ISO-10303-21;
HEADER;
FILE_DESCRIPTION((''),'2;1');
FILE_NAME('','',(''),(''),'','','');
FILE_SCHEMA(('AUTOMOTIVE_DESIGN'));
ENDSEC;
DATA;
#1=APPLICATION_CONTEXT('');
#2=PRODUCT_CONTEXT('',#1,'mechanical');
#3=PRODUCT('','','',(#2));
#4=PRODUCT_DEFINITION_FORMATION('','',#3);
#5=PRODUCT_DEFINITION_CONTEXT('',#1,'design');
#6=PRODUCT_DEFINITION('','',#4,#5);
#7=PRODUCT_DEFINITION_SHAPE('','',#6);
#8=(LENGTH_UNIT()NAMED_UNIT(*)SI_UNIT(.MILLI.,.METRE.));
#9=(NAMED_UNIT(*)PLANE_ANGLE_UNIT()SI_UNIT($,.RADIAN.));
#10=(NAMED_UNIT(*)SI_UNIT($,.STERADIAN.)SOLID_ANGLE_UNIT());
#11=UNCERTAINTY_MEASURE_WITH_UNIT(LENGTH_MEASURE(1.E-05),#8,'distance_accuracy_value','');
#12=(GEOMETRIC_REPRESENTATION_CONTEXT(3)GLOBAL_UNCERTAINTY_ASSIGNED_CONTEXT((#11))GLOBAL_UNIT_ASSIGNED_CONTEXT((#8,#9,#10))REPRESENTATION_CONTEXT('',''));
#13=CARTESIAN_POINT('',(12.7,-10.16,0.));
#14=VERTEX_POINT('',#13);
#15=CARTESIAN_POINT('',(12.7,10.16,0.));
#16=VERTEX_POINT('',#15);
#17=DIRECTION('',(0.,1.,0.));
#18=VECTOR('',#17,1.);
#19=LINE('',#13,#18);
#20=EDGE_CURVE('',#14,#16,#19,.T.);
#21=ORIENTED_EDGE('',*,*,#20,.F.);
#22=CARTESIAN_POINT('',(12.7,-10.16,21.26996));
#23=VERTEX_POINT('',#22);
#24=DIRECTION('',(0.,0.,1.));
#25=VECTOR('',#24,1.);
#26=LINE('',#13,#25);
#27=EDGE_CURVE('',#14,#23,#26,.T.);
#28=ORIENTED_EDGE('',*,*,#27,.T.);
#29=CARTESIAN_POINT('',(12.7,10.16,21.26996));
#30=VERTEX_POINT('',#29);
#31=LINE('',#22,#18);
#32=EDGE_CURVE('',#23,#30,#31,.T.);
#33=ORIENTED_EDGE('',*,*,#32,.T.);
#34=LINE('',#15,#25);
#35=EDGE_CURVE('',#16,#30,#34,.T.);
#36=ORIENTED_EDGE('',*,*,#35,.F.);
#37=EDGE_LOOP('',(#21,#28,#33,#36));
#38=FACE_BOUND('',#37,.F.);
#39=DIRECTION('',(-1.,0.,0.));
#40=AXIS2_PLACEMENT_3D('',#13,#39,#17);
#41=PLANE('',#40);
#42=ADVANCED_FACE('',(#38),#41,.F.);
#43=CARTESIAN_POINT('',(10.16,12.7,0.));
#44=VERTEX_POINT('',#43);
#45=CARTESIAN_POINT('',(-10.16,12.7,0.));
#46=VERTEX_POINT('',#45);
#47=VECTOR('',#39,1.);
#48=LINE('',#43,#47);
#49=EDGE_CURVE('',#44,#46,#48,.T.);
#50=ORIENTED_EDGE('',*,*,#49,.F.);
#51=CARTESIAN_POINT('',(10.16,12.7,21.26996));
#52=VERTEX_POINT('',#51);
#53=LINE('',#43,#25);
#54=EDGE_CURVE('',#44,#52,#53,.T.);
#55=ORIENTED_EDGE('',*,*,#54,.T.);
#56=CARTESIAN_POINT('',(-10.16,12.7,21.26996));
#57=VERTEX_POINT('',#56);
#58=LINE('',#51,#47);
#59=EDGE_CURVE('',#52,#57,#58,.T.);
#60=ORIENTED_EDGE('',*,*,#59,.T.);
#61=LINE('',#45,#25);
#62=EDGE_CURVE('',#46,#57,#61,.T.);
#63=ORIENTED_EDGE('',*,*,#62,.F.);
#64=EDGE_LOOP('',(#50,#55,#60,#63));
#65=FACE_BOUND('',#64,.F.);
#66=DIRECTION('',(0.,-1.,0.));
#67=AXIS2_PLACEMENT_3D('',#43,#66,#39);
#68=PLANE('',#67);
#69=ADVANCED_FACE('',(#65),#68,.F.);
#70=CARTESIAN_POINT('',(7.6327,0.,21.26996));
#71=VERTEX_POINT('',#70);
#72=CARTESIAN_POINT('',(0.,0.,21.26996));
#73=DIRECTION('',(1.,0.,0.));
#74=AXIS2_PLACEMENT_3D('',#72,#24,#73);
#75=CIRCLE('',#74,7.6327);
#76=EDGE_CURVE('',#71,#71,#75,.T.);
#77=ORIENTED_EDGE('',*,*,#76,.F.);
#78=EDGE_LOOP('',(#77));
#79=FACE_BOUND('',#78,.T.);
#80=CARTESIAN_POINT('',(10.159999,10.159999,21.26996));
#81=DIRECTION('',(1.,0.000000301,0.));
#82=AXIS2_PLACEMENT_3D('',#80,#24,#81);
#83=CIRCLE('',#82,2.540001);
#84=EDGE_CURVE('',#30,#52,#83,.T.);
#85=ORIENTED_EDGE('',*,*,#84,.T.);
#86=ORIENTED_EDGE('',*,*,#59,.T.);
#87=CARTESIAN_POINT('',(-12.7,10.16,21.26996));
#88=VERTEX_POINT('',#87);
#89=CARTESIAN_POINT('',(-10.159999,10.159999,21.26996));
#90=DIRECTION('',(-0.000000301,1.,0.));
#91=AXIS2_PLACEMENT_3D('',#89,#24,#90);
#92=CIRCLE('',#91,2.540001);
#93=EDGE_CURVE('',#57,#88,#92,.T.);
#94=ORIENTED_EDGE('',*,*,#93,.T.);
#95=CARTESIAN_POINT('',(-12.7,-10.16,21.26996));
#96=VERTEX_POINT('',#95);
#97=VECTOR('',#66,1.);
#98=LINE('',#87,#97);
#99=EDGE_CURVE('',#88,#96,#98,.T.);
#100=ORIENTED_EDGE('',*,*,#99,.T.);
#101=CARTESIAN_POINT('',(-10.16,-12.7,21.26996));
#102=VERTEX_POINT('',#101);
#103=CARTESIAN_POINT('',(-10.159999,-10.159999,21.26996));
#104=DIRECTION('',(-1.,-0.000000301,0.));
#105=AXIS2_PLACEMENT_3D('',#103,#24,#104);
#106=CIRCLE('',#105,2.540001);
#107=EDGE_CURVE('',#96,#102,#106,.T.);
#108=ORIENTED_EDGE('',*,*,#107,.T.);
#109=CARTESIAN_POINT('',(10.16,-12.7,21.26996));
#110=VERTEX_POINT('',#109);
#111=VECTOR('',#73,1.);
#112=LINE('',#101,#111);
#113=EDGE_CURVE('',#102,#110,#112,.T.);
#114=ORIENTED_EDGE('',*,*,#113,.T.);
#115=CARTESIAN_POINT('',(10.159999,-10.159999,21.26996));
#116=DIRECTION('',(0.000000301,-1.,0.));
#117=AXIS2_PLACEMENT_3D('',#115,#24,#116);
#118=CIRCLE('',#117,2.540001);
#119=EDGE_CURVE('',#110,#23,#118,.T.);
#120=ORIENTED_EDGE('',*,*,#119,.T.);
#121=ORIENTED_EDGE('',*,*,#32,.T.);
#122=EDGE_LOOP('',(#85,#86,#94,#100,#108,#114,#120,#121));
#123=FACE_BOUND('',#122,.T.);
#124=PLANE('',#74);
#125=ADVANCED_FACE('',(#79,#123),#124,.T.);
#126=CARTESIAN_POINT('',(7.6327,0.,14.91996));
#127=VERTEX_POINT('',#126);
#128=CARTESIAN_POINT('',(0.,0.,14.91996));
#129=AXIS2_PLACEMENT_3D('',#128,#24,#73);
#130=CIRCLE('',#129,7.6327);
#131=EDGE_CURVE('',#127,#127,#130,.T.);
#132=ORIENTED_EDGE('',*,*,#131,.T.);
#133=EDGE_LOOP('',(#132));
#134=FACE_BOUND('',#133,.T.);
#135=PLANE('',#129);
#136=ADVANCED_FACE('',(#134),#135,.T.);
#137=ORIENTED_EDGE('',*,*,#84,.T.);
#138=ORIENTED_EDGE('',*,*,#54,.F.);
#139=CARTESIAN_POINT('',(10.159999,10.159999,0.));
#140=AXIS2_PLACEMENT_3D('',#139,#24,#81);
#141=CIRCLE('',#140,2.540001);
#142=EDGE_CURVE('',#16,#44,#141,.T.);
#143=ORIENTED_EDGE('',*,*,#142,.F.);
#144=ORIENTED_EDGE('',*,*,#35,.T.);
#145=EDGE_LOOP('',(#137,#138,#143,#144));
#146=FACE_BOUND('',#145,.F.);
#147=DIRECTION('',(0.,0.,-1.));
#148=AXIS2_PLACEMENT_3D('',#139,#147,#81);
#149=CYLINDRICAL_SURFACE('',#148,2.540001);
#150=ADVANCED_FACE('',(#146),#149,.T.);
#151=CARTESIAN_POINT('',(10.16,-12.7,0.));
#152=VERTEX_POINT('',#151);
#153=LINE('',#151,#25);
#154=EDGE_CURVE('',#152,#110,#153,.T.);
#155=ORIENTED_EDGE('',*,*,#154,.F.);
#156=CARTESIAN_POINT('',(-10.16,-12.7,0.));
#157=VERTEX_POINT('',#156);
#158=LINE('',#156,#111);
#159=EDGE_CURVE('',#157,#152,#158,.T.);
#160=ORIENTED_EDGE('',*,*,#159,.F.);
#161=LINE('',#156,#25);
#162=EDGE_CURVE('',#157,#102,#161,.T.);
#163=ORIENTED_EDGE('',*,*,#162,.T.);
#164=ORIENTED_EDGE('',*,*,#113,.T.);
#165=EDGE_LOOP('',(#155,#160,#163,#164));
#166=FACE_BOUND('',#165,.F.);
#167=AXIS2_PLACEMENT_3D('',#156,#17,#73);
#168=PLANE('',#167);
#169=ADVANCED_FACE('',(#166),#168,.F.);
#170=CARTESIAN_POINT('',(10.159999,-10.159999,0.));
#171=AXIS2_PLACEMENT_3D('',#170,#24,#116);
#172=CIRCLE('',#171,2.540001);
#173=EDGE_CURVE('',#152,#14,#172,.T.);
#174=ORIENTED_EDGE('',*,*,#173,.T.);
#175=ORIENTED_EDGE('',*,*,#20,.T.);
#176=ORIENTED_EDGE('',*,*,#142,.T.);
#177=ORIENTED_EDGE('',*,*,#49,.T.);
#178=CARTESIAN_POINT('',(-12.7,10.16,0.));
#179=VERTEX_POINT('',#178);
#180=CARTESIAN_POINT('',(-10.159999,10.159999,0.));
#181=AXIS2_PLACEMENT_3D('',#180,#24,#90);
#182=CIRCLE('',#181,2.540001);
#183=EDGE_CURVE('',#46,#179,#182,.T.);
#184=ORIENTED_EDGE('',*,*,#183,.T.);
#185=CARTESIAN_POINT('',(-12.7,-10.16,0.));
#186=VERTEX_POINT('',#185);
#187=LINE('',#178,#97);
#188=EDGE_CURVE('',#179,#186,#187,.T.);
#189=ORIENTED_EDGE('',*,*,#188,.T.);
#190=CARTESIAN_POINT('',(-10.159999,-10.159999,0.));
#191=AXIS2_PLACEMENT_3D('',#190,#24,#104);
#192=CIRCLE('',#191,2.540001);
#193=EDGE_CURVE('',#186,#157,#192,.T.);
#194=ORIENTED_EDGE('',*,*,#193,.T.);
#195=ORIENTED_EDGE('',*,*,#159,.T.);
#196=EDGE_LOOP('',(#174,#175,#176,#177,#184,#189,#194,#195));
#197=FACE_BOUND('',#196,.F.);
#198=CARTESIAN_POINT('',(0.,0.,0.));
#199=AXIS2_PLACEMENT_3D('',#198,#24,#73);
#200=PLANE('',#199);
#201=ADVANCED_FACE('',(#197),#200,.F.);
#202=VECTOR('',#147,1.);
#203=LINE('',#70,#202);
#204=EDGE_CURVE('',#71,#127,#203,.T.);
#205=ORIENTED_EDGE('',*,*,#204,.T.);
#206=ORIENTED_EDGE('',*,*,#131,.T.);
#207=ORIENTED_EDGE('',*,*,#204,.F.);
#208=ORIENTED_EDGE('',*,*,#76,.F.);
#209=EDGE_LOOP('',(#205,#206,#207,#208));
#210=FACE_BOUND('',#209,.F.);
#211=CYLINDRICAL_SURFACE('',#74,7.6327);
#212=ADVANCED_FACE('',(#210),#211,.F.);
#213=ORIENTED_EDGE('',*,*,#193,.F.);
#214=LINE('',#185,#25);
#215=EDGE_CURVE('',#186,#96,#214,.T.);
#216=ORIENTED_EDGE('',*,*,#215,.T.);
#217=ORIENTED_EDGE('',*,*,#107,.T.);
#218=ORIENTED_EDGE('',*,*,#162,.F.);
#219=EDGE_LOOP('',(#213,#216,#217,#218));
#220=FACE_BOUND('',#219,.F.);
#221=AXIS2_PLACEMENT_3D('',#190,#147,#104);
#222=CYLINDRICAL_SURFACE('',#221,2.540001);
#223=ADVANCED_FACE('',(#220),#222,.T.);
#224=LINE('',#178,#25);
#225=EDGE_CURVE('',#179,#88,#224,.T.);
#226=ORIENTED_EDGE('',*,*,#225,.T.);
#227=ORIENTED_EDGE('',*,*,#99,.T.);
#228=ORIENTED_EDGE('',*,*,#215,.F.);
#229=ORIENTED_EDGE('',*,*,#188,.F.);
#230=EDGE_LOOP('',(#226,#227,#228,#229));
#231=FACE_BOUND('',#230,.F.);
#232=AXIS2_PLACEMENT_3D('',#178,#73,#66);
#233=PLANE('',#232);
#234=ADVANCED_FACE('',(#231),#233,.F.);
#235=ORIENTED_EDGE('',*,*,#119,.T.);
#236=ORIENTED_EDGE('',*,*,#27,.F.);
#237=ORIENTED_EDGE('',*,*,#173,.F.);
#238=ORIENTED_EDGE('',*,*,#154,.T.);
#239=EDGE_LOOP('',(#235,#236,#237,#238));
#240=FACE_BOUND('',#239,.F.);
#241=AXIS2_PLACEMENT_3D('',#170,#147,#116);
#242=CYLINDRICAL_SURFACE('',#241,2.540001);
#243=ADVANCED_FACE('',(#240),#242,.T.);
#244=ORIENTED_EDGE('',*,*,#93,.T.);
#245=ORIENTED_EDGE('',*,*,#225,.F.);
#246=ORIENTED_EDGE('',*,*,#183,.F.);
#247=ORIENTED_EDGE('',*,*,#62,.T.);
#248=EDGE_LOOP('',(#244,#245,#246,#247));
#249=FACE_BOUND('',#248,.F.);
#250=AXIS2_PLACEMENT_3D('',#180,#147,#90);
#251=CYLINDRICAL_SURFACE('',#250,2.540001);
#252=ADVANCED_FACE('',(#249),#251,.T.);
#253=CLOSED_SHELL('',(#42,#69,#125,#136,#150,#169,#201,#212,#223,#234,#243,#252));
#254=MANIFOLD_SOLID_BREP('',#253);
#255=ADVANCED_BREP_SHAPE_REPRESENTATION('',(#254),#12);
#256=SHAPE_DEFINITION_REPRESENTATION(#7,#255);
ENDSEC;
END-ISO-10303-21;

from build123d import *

# Parameters (mm, degrees)
F1_DEPTH = 21.26996
F2_R     = 7.6327
F3_DEPTH = 6.35


with BuildPart() as f1:
    # F0 (on Top) → F1 (new body)
    with BuildSketch(Plane.XY):
        with BuildLine():
            Line((10.16, 12.7), (-10.16, 12.7))
            ThreePointArc((-10.16, 12.7), (-11.956051, 11.956051), (-12.7, 10.16))
            Line((-12.7, 10.16), (-12.7, -10.16))
            ThreePointArc((-12.7, -10.16), (-11.956051, -11.956051), (-10.16, -12.7))
            Line((-10.16, -12.7), (10.16, -12.7))
            ThreePointArc((10.16, -12.7), (11.956051, -11.956051), (12.7, -10.16))
            Line((12.7, -10.16), (12.7, 10.16))
            ThreePointArc((12.7, 10.16), (11.956051, 11.956051), (10.16, 12.7))
        make_face()
    extrude(amount=F1_DEPTH)

    # F2 (on face) → F3 (cut)
    with BuildSketch(Plane.XY.offset(21.26996)):
        Circle(F2_R)
    extrude(amount=-F3_DEPTH, mode=Mode.SUBTRACT)


solid = f1.part
